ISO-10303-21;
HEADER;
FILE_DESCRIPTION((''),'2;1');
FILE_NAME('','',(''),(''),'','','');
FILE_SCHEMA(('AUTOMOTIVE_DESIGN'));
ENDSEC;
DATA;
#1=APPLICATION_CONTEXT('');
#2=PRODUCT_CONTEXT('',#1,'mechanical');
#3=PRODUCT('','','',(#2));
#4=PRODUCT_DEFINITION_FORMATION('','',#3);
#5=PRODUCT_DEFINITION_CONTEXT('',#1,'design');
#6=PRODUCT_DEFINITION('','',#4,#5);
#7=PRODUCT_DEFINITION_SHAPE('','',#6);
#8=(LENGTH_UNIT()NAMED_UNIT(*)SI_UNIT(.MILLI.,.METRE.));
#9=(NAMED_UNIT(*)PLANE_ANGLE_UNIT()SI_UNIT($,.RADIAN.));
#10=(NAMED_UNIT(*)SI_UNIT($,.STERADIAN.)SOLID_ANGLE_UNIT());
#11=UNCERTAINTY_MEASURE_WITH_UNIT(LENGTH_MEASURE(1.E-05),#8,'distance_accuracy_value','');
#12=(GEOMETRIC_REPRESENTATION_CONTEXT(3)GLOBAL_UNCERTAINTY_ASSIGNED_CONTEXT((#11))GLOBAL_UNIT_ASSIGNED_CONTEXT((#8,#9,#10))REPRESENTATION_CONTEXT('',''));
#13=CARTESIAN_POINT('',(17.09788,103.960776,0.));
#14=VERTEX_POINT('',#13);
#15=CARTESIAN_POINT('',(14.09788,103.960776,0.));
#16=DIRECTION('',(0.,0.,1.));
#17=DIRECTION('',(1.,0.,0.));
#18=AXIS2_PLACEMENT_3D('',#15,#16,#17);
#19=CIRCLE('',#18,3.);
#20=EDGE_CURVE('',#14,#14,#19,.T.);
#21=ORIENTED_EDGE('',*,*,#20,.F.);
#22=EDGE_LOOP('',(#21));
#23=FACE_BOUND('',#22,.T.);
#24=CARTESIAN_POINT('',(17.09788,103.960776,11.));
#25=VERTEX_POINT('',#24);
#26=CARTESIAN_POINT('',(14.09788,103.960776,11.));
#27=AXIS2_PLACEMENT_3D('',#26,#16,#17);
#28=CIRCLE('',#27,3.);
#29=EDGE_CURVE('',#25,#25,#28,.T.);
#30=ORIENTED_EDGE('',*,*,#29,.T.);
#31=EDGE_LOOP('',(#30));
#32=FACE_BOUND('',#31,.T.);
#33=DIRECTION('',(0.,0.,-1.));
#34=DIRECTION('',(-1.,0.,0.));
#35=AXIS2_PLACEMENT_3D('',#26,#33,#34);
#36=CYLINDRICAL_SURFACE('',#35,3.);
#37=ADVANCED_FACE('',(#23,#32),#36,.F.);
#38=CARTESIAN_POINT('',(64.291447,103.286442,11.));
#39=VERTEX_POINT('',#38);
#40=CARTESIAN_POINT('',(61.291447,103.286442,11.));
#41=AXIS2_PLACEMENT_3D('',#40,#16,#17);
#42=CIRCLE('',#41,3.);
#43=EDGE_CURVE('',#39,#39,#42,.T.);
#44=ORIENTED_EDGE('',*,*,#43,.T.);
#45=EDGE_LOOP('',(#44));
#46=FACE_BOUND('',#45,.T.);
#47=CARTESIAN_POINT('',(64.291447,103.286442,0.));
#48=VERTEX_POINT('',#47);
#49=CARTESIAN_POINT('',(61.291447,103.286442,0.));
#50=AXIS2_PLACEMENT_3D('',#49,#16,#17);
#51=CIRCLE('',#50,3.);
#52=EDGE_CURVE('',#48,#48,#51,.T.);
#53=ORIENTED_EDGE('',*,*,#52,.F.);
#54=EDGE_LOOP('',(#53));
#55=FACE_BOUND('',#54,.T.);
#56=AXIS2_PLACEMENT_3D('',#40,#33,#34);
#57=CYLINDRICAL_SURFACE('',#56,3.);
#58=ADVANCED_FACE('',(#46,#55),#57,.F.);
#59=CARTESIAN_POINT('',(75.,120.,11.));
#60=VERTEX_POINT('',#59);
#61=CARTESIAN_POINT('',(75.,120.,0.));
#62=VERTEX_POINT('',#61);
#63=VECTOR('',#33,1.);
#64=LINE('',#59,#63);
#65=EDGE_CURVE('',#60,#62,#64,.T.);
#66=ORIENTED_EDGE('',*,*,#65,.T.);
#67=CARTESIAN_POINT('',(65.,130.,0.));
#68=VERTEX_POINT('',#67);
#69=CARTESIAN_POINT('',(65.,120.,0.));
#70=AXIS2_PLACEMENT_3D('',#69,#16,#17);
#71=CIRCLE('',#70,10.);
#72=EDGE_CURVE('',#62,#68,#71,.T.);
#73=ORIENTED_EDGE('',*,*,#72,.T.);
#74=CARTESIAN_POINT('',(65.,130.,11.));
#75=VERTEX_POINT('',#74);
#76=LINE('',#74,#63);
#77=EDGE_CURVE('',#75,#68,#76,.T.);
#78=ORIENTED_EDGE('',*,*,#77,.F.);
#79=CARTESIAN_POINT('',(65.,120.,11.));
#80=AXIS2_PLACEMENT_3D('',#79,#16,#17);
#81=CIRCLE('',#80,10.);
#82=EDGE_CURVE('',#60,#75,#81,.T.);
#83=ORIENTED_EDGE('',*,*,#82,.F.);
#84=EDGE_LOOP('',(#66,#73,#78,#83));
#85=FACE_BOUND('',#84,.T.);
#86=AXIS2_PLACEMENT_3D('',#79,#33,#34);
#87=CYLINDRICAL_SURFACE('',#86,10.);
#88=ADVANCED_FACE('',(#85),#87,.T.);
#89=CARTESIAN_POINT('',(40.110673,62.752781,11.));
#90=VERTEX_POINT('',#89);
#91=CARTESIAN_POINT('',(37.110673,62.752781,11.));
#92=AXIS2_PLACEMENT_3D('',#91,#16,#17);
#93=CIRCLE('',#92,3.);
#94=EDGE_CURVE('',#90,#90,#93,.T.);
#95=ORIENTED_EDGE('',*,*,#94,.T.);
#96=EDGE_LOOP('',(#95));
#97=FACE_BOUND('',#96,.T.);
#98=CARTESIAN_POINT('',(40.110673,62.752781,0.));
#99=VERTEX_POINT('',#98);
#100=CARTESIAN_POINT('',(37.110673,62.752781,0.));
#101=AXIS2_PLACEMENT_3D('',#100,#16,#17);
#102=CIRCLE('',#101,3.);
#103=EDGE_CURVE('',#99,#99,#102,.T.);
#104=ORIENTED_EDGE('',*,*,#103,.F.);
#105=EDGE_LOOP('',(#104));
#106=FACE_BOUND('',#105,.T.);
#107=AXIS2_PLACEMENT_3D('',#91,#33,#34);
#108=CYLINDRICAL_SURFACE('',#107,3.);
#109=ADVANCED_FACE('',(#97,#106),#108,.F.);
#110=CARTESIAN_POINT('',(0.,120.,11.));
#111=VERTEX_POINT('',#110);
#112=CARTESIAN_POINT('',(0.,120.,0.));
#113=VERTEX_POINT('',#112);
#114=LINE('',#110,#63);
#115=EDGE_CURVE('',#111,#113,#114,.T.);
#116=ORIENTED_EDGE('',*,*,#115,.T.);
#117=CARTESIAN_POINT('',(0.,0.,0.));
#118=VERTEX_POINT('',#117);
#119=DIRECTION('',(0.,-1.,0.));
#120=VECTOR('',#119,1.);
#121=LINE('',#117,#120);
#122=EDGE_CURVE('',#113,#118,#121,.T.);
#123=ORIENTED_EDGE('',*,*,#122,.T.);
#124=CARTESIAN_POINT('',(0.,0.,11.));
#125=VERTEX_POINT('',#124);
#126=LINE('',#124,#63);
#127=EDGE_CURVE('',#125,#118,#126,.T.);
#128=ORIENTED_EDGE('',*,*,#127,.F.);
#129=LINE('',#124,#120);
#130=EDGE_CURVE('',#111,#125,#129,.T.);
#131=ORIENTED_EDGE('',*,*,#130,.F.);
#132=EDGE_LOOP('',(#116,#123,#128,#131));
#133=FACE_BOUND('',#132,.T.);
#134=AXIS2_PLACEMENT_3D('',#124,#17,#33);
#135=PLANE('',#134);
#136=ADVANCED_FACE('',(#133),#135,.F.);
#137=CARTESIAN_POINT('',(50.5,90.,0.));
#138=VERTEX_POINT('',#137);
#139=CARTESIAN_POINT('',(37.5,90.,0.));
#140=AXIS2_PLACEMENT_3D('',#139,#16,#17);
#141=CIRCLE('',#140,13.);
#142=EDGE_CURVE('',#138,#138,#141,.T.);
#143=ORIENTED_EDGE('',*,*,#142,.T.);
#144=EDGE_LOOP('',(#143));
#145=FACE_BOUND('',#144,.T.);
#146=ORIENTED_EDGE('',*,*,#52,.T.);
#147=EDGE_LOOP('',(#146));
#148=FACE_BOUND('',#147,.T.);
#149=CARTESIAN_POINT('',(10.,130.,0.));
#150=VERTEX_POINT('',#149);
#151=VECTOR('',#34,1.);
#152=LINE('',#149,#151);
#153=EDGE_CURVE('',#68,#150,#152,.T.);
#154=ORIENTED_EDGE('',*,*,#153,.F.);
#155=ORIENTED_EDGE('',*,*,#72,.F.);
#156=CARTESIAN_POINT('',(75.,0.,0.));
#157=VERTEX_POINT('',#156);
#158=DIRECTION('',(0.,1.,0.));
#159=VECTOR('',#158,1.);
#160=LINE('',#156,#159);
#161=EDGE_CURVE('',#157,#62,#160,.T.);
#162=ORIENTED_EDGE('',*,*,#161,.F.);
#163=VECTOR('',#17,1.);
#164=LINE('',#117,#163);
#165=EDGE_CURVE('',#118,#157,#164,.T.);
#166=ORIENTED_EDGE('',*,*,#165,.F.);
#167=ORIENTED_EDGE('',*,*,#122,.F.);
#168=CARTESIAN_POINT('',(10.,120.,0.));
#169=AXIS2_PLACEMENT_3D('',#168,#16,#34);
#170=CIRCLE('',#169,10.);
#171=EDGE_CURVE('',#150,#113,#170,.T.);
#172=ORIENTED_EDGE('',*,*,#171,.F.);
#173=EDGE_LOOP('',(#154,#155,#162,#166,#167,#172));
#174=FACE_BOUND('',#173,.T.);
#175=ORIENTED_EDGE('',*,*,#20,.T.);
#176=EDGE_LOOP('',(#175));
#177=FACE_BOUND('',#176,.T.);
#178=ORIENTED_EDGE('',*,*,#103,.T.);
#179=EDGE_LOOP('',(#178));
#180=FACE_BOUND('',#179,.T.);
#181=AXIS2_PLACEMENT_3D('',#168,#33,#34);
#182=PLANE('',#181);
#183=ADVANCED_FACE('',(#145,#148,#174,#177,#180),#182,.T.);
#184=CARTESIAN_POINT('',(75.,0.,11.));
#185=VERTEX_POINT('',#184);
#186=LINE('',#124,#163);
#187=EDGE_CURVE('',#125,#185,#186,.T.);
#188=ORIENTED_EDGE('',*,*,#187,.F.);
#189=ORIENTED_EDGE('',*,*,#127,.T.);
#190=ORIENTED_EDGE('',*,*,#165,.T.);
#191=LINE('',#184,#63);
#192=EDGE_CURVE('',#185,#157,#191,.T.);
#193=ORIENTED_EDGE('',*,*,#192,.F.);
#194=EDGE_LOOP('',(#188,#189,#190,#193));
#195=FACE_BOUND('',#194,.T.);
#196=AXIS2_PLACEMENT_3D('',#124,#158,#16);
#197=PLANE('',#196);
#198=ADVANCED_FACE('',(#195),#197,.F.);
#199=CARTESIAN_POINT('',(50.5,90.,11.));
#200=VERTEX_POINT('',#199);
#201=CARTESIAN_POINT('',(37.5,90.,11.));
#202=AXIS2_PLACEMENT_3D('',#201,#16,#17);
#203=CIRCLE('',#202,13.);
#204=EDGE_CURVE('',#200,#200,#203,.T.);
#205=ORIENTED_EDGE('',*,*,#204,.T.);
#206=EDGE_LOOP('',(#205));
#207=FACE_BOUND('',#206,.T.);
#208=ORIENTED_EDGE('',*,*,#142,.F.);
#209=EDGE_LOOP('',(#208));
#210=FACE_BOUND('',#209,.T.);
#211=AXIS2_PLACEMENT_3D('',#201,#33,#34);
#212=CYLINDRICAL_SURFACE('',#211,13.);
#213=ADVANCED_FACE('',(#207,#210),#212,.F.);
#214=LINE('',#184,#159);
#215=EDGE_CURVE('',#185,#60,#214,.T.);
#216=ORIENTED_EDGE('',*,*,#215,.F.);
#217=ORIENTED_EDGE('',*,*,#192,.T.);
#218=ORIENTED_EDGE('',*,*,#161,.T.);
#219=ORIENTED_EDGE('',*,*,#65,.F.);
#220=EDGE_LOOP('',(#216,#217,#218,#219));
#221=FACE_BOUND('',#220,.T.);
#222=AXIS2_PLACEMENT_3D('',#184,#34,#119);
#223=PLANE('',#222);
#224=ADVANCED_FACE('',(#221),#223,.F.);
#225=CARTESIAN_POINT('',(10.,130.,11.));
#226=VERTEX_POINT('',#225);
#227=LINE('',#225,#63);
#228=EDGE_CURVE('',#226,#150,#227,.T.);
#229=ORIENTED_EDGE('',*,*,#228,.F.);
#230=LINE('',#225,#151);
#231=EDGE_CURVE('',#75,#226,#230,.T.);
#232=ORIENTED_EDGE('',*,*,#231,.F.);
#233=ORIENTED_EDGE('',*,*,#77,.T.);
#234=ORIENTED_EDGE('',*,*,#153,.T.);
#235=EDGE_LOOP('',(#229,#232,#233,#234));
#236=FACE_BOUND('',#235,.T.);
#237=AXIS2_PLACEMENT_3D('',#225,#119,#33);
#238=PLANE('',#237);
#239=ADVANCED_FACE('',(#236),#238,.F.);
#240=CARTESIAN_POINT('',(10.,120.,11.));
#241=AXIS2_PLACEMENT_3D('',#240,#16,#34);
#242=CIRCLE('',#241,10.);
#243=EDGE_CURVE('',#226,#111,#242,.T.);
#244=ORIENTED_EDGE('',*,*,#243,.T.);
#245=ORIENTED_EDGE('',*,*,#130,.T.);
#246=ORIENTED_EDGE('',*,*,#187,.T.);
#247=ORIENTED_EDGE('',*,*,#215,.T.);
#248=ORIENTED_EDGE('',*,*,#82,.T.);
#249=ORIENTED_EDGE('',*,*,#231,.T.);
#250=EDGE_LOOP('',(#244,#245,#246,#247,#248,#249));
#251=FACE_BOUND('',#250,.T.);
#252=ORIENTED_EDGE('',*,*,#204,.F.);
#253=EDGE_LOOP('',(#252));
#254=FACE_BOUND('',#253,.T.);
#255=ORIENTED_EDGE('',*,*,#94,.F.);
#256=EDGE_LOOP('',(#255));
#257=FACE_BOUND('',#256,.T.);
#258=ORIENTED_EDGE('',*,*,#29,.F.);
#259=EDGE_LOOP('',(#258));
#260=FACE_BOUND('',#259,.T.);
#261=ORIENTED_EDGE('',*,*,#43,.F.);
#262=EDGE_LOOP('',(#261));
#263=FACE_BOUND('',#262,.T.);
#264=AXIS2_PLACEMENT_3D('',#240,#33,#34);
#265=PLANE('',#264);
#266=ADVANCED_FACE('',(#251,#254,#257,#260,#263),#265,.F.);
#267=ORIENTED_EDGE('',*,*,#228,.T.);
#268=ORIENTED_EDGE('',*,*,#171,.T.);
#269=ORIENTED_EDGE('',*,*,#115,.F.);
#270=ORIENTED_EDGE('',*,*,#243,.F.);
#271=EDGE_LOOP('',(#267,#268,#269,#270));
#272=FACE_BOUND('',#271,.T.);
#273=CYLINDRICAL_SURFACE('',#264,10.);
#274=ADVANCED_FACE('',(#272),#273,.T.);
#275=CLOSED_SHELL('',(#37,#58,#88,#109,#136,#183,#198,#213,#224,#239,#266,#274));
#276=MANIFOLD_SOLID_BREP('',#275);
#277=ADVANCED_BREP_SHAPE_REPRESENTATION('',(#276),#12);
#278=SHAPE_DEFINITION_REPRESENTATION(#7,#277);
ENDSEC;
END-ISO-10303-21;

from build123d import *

# Parameters (mm, degrees)
SKETCH2_R           = 13
SKETCH2_R_2         = 3
BOSS_EXTRUDE1_DEPTH = 11


with BuildPart() as part:
    # Sketch2 → Boss-Extrude1 (new body)
    with BuildSketch(Plane.XY):
        with BuildLine():
            Line((0, 0), (75, 0))
            Line((75, 0), (75, 120))
            ThreePointArc((75, 120), (72.071067812, 127.071067812), (65, 130))
            Line((65, 130), (10, 130))
            ThreePointArc((10, 130), (2.928932188, 127.071067812), (0, 120))
            Line((0, 120), (0, 0))
        make_face()
        with Locations((37.5, 90)):
            Circle(SKETCH2_R, mode=Mode.SUBTRACT)
        with Locations((61.291446946, 103.286442421)):
            Circle(SKETCH2_R_2, mode=Mode.SUBTRACT)
        with Locations((14.097879865, 103.960776238)):
            Circle(SKETCH2_R_2, mode=Mode.SUBTRACT)
        with Locations((37.110673189, 62.752781341)):
            Circle(SKETCH2_R_2, mode=Mode.SUBTRACT)
    extrude(amount=BOSS_EXTRUDE1_DEPTH)


solid = part.part
